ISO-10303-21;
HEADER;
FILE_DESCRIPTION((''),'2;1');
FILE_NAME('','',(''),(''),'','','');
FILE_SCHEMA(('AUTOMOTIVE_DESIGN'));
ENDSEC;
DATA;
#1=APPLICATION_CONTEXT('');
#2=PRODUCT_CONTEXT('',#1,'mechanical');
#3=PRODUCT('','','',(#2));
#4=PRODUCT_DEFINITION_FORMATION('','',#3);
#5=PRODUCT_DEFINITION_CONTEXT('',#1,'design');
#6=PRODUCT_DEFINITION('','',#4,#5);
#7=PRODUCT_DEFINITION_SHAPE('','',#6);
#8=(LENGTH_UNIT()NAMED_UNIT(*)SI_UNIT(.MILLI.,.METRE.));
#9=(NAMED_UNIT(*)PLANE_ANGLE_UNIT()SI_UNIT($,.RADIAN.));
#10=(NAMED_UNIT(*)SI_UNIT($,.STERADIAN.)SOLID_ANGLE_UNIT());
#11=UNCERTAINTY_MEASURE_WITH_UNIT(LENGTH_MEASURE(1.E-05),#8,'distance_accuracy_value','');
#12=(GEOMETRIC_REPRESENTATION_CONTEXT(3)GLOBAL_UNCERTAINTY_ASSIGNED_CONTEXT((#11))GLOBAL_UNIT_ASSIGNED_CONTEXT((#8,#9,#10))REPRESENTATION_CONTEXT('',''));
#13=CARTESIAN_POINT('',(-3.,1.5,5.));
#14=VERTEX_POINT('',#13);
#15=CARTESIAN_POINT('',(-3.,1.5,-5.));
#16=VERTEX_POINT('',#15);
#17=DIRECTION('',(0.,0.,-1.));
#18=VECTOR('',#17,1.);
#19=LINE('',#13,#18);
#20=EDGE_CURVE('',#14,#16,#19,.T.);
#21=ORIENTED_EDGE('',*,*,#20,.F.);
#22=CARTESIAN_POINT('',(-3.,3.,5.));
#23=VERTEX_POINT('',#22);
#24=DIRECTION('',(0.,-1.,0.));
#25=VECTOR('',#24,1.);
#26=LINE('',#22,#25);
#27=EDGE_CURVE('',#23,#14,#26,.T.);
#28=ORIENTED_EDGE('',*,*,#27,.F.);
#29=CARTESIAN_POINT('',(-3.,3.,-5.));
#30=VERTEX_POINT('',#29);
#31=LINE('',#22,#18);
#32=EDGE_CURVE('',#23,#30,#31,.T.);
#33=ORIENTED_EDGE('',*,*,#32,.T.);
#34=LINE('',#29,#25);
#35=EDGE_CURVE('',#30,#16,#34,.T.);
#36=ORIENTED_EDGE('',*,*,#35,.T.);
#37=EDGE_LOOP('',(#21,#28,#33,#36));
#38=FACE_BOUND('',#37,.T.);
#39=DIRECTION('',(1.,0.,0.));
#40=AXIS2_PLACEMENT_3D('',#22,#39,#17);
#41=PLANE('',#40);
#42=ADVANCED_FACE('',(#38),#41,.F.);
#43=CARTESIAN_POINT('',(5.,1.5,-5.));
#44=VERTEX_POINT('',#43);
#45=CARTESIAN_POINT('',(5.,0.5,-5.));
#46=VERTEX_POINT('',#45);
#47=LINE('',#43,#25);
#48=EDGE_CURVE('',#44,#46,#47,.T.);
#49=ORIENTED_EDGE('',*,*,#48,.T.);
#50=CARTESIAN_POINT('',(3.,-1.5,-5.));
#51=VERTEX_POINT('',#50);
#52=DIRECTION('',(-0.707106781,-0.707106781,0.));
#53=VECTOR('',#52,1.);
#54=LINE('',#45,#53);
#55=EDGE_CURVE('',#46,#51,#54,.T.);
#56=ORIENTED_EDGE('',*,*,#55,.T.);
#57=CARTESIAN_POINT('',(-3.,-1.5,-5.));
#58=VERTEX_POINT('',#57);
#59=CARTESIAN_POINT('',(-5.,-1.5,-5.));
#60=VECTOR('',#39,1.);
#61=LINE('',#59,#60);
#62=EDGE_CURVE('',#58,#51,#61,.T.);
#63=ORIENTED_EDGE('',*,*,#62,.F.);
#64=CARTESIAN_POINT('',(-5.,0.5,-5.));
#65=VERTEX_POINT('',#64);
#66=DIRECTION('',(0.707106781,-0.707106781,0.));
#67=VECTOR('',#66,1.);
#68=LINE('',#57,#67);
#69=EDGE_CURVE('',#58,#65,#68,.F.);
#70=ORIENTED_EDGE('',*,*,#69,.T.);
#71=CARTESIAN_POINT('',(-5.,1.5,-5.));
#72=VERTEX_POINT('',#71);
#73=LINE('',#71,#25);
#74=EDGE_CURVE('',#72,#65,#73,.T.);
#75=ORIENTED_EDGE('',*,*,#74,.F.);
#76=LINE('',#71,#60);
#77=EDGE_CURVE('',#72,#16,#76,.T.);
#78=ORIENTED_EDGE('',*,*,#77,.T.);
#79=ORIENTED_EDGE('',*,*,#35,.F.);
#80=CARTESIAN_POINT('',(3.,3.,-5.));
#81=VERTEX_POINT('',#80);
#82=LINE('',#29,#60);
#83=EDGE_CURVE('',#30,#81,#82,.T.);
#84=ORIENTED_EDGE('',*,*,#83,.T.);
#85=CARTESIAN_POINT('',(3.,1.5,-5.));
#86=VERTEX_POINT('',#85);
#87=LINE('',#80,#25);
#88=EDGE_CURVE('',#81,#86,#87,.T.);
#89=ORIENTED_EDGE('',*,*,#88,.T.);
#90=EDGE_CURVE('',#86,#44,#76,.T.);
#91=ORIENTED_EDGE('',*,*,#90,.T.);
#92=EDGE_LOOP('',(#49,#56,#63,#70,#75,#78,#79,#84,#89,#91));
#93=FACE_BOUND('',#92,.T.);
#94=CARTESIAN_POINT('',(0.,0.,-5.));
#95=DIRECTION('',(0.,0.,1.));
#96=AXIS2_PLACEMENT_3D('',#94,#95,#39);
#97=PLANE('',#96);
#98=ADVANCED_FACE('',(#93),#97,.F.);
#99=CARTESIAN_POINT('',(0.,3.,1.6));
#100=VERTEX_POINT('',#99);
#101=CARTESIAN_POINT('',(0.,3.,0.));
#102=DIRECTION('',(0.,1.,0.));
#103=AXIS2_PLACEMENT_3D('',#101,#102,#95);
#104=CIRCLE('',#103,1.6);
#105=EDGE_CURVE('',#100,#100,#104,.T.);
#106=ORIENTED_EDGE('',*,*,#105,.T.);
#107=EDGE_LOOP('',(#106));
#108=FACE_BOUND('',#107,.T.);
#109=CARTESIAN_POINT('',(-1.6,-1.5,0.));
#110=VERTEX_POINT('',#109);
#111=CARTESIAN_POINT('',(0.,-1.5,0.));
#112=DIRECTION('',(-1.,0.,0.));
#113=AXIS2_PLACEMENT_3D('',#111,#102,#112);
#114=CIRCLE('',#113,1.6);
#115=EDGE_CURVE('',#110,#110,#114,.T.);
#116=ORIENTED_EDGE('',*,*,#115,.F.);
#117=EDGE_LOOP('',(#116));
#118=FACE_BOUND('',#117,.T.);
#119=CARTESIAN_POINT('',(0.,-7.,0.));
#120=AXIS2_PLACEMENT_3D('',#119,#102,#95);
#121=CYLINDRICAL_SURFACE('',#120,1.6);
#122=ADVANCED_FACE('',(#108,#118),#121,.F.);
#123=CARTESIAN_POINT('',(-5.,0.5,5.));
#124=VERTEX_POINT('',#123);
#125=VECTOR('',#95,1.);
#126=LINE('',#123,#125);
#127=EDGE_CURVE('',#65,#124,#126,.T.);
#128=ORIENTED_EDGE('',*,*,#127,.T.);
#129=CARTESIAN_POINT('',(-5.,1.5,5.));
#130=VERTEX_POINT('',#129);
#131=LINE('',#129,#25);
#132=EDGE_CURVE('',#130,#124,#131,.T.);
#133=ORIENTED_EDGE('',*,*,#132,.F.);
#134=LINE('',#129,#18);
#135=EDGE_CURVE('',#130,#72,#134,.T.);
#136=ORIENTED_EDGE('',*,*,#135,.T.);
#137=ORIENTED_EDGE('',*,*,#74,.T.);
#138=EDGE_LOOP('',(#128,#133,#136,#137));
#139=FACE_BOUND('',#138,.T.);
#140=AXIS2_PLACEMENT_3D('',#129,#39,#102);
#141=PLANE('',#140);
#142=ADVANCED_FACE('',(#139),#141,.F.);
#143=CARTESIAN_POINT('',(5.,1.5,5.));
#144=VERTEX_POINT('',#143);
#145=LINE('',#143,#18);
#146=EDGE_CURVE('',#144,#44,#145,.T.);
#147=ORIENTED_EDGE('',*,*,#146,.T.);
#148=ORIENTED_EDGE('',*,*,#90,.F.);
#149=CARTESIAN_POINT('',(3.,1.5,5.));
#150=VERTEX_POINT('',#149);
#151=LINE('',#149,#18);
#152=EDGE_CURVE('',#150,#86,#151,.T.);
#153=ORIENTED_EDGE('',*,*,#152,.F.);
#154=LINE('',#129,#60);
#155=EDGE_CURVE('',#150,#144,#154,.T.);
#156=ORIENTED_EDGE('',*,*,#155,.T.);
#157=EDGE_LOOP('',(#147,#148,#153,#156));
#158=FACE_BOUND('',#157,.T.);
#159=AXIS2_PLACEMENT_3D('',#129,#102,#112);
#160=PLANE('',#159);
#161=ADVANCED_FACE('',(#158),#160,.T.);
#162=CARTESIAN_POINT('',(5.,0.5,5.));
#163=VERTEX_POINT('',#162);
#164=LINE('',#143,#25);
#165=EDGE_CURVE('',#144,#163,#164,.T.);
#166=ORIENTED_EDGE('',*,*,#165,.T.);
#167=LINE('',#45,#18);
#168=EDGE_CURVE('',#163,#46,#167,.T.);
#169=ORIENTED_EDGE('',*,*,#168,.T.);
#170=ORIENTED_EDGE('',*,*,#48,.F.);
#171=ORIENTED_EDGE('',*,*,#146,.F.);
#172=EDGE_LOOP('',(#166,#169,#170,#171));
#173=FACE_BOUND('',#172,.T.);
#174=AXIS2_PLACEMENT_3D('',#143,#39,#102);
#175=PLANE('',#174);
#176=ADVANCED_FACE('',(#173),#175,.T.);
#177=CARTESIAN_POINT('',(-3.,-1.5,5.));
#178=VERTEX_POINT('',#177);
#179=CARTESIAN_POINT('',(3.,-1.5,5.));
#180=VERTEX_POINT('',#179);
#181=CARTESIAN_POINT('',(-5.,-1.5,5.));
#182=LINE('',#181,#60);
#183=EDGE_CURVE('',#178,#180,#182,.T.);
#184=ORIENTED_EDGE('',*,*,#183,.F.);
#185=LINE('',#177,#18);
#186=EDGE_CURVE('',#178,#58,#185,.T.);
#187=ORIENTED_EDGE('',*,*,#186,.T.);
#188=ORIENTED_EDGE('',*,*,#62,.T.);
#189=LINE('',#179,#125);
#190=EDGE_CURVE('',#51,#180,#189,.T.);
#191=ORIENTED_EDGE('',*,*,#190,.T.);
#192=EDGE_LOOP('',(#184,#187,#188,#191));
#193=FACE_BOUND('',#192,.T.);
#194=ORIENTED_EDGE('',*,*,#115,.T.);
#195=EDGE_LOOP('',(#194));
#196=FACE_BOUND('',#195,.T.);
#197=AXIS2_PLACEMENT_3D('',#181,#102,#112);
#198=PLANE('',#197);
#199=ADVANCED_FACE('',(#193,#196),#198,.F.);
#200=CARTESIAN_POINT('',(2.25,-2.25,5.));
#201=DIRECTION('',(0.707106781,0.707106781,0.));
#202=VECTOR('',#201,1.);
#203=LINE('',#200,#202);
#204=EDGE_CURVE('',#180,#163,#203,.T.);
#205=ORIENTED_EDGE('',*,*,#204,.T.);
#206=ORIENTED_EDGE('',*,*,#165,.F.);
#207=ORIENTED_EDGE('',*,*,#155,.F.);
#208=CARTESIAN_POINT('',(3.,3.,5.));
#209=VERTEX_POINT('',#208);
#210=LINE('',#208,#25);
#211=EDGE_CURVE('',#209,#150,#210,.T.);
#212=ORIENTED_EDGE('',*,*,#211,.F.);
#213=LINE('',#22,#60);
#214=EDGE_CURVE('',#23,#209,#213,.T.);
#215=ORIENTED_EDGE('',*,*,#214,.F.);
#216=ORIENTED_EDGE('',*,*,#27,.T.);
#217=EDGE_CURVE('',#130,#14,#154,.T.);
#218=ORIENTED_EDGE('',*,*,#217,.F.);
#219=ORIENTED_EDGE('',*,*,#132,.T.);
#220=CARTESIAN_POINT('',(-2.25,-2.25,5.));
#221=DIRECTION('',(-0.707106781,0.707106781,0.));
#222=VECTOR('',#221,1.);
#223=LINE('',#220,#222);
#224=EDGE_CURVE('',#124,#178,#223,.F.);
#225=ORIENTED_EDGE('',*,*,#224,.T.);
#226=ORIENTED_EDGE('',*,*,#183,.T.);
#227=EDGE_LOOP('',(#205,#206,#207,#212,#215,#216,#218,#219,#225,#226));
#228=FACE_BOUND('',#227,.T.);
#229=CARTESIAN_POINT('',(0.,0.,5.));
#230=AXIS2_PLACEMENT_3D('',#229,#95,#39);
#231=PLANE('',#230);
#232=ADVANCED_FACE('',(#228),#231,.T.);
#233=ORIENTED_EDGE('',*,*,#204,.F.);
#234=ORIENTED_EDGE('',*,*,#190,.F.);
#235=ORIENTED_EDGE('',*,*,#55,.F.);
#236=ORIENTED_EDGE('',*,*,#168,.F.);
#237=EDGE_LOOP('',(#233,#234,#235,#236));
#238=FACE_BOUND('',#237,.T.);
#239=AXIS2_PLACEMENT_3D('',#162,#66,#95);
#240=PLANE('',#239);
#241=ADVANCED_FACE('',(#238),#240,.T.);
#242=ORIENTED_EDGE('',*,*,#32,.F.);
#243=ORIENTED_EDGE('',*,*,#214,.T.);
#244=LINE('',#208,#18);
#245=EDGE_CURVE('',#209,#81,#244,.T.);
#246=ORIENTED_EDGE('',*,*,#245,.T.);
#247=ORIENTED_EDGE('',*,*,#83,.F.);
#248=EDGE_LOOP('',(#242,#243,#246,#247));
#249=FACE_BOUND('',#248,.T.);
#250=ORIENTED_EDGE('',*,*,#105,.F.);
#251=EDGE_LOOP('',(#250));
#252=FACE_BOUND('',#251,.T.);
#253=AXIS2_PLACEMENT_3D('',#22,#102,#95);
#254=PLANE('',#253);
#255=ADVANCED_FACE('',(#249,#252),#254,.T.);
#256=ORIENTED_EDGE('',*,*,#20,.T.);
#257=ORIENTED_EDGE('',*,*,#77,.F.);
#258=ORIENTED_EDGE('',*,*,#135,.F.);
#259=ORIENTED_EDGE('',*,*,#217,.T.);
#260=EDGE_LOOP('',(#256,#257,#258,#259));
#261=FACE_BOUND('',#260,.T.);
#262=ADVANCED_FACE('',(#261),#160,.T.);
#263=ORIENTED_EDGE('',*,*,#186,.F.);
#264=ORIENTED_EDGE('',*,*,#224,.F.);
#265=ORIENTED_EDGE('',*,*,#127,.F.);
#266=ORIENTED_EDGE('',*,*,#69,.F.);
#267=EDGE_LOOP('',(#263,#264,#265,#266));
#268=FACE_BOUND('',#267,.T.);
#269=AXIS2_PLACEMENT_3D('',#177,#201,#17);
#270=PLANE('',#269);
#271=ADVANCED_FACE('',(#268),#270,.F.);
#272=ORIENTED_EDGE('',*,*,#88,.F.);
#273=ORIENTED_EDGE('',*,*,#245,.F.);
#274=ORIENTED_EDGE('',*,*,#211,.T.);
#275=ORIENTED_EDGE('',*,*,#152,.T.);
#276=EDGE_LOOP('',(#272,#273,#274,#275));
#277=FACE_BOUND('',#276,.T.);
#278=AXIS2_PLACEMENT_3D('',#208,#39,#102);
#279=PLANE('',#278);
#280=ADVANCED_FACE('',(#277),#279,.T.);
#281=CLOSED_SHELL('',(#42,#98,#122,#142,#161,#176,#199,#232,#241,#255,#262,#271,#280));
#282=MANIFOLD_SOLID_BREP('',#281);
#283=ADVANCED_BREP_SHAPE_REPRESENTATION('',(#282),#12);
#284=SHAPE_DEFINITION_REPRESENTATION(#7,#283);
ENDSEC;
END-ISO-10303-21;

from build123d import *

# Parameters (mm, degrees)
SKETCH_1_W          = 10
SKETCH_1_H          = 3
SKETCH_1_W_2        = 6
EXTRUDE_1_DEPTH     = 5
SKETCH_2_R          = 1.6
CUT_EXTRUDE_1_DEPTH = 10
CHAMFER_1_SIZE      = 2


with BuildPart() as part:
    # 草图1 → 凸台-拉伸1 (new, symmetric)
    with BuildSketch(Plane.XY):
        Rectangle(SKETCH_1_W, SKETCH_1_H)
        with Locations((0, 1.5)):
            Rectangle(SKETCH_1_W_2, SKETCH_1_H)
    extrude(amount=EXTRUDE_1_DEPTH, both=True)

    # 草图2 → 切除-拉伸1 (cut)
    with BuildSketch(Plane(origin=(0, 3, 0), x_dir=(1, 0, 0), z_dir=(0, 1, 0))):
        with Locations(Location((0, 0, 0), (0, 0, 270))):
            Circle(SKETCH_2_R)
    extrude(amount=-CUT_EXTRUDE_1_DEPTH, mode=Mode.SUBTRACT)

    # 倒角1
    chamfer_1_edges = [part.edges().sort_by_distance(p)[0] for p in [
        (5, -1.5, 0),
        (-5, -1.5, 0),
    ]]
    chamfer(chamfer_1_edges, length=CHAMFER_1_SIZE)


solid = part.part
